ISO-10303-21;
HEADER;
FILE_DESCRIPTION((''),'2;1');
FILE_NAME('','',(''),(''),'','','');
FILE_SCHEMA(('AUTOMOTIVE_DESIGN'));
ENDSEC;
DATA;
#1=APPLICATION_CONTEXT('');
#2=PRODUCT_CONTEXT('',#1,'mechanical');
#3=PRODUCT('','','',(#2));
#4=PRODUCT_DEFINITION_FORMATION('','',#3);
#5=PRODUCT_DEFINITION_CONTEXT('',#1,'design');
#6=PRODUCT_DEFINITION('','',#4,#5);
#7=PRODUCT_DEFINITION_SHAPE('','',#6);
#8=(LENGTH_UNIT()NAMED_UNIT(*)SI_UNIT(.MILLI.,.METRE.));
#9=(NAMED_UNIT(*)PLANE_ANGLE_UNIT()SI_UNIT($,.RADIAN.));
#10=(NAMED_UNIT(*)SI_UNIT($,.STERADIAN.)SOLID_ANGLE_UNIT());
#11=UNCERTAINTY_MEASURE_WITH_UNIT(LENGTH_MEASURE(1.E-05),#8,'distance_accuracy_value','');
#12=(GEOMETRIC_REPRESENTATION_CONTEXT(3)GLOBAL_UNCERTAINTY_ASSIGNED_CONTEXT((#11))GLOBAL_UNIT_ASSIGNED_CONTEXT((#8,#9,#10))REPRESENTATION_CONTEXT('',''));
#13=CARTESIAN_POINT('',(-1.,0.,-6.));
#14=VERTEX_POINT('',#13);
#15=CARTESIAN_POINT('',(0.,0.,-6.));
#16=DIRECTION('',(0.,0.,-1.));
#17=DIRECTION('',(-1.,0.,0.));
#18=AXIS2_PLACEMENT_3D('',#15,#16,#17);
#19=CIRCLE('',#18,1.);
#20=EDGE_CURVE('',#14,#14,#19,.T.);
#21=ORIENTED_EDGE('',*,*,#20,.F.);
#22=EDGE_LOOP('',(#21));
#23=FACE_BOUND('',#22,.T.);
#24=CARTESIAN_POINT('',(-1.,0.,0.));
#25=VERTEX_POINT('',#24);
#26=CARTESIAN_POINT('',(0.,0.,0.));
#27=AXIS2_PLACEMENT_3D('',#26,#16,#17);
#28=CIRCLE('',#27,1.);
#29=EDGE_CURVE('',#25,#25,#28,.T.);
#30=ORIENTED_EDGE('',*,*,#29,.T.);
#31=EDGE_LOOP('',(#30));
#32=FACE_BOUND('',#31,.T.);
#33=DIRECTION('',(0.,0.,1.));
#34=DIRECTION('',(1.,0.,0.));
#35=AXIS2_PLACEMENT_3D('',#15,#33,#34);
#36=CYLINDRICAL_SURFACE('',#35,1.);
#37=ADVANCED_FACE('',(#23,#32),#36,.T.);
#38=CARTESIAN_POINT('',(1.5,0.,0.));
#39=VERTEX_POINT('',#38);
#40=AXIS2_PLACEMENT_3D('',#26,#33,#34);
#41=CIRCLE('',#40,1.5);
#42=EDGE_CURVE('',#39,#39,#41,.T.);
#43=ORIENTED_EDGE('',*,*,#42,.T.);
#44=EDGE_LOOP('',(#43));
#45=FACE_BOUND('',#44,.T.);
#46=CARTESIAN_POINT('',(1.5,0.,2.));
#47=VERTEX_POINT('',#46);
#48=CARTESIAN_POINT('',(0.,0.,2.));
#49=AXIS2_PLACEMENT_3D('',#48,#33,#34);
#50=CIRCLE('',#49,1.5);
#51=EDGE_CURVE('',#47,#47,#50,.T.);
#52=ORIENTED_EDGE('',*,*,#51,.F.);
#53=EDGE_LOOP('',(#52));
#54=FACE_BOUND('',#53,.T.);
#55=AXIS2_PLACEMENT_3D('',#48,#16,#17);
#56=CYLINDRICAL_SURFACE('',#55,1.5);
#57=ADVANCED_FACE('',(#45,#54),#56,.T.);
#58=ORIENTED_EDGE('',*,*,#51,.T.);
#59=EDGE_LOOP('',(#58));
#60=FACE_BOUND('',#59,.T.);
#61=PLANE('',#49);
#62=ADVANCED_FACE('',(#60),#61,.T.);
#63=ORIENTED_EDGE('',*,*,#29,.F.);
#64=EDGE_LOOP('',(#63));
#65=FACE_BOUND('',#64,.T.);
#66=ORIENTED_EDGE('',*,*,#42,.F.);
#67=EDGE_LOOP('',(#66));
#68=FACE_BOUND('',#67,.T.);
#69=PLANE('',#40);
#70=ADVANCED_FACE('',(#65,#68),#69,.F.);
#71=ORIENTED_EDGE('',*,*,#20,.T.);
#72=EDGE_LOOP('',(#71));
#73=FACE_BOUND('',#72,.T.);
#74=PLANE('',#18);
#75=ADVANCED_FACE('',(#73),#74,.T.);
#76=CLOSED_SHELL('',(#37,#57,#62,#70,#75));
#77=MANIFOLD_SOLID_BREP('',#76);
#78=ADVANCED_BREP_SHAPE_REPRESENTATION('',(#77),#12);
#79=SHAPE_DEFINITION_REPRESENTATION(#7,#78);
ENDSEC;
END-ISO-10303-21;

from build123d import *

# Parameters (mm, degrees)
SKETCH_1_R      = 1.5
EXTRUDE_1_DEPTH = 2
SKETCH_2_R      = 1
EXTRUDE_3_DEPTH = 6


with BuildPart() as part:
    # 草图1 → 凸台-拉伸1 (new body)
    with BuildSketch(Plane.XY):
        Circle(SKETCH_1_R)
    extrude(amount=EXTRUDE_1_DEPTH)

    # 草图2 → 凸台-拉伸3 (add)
    with BuildSketch(Plane(origin=(0, 0, 0), x_dir=(-1, 0, 0), z_dir=(0, 0, -1))):
        Circle(SKETCH_2_R)
    extrude(amount=EXTRUDE_3_DEPTH)


solid = part.part
